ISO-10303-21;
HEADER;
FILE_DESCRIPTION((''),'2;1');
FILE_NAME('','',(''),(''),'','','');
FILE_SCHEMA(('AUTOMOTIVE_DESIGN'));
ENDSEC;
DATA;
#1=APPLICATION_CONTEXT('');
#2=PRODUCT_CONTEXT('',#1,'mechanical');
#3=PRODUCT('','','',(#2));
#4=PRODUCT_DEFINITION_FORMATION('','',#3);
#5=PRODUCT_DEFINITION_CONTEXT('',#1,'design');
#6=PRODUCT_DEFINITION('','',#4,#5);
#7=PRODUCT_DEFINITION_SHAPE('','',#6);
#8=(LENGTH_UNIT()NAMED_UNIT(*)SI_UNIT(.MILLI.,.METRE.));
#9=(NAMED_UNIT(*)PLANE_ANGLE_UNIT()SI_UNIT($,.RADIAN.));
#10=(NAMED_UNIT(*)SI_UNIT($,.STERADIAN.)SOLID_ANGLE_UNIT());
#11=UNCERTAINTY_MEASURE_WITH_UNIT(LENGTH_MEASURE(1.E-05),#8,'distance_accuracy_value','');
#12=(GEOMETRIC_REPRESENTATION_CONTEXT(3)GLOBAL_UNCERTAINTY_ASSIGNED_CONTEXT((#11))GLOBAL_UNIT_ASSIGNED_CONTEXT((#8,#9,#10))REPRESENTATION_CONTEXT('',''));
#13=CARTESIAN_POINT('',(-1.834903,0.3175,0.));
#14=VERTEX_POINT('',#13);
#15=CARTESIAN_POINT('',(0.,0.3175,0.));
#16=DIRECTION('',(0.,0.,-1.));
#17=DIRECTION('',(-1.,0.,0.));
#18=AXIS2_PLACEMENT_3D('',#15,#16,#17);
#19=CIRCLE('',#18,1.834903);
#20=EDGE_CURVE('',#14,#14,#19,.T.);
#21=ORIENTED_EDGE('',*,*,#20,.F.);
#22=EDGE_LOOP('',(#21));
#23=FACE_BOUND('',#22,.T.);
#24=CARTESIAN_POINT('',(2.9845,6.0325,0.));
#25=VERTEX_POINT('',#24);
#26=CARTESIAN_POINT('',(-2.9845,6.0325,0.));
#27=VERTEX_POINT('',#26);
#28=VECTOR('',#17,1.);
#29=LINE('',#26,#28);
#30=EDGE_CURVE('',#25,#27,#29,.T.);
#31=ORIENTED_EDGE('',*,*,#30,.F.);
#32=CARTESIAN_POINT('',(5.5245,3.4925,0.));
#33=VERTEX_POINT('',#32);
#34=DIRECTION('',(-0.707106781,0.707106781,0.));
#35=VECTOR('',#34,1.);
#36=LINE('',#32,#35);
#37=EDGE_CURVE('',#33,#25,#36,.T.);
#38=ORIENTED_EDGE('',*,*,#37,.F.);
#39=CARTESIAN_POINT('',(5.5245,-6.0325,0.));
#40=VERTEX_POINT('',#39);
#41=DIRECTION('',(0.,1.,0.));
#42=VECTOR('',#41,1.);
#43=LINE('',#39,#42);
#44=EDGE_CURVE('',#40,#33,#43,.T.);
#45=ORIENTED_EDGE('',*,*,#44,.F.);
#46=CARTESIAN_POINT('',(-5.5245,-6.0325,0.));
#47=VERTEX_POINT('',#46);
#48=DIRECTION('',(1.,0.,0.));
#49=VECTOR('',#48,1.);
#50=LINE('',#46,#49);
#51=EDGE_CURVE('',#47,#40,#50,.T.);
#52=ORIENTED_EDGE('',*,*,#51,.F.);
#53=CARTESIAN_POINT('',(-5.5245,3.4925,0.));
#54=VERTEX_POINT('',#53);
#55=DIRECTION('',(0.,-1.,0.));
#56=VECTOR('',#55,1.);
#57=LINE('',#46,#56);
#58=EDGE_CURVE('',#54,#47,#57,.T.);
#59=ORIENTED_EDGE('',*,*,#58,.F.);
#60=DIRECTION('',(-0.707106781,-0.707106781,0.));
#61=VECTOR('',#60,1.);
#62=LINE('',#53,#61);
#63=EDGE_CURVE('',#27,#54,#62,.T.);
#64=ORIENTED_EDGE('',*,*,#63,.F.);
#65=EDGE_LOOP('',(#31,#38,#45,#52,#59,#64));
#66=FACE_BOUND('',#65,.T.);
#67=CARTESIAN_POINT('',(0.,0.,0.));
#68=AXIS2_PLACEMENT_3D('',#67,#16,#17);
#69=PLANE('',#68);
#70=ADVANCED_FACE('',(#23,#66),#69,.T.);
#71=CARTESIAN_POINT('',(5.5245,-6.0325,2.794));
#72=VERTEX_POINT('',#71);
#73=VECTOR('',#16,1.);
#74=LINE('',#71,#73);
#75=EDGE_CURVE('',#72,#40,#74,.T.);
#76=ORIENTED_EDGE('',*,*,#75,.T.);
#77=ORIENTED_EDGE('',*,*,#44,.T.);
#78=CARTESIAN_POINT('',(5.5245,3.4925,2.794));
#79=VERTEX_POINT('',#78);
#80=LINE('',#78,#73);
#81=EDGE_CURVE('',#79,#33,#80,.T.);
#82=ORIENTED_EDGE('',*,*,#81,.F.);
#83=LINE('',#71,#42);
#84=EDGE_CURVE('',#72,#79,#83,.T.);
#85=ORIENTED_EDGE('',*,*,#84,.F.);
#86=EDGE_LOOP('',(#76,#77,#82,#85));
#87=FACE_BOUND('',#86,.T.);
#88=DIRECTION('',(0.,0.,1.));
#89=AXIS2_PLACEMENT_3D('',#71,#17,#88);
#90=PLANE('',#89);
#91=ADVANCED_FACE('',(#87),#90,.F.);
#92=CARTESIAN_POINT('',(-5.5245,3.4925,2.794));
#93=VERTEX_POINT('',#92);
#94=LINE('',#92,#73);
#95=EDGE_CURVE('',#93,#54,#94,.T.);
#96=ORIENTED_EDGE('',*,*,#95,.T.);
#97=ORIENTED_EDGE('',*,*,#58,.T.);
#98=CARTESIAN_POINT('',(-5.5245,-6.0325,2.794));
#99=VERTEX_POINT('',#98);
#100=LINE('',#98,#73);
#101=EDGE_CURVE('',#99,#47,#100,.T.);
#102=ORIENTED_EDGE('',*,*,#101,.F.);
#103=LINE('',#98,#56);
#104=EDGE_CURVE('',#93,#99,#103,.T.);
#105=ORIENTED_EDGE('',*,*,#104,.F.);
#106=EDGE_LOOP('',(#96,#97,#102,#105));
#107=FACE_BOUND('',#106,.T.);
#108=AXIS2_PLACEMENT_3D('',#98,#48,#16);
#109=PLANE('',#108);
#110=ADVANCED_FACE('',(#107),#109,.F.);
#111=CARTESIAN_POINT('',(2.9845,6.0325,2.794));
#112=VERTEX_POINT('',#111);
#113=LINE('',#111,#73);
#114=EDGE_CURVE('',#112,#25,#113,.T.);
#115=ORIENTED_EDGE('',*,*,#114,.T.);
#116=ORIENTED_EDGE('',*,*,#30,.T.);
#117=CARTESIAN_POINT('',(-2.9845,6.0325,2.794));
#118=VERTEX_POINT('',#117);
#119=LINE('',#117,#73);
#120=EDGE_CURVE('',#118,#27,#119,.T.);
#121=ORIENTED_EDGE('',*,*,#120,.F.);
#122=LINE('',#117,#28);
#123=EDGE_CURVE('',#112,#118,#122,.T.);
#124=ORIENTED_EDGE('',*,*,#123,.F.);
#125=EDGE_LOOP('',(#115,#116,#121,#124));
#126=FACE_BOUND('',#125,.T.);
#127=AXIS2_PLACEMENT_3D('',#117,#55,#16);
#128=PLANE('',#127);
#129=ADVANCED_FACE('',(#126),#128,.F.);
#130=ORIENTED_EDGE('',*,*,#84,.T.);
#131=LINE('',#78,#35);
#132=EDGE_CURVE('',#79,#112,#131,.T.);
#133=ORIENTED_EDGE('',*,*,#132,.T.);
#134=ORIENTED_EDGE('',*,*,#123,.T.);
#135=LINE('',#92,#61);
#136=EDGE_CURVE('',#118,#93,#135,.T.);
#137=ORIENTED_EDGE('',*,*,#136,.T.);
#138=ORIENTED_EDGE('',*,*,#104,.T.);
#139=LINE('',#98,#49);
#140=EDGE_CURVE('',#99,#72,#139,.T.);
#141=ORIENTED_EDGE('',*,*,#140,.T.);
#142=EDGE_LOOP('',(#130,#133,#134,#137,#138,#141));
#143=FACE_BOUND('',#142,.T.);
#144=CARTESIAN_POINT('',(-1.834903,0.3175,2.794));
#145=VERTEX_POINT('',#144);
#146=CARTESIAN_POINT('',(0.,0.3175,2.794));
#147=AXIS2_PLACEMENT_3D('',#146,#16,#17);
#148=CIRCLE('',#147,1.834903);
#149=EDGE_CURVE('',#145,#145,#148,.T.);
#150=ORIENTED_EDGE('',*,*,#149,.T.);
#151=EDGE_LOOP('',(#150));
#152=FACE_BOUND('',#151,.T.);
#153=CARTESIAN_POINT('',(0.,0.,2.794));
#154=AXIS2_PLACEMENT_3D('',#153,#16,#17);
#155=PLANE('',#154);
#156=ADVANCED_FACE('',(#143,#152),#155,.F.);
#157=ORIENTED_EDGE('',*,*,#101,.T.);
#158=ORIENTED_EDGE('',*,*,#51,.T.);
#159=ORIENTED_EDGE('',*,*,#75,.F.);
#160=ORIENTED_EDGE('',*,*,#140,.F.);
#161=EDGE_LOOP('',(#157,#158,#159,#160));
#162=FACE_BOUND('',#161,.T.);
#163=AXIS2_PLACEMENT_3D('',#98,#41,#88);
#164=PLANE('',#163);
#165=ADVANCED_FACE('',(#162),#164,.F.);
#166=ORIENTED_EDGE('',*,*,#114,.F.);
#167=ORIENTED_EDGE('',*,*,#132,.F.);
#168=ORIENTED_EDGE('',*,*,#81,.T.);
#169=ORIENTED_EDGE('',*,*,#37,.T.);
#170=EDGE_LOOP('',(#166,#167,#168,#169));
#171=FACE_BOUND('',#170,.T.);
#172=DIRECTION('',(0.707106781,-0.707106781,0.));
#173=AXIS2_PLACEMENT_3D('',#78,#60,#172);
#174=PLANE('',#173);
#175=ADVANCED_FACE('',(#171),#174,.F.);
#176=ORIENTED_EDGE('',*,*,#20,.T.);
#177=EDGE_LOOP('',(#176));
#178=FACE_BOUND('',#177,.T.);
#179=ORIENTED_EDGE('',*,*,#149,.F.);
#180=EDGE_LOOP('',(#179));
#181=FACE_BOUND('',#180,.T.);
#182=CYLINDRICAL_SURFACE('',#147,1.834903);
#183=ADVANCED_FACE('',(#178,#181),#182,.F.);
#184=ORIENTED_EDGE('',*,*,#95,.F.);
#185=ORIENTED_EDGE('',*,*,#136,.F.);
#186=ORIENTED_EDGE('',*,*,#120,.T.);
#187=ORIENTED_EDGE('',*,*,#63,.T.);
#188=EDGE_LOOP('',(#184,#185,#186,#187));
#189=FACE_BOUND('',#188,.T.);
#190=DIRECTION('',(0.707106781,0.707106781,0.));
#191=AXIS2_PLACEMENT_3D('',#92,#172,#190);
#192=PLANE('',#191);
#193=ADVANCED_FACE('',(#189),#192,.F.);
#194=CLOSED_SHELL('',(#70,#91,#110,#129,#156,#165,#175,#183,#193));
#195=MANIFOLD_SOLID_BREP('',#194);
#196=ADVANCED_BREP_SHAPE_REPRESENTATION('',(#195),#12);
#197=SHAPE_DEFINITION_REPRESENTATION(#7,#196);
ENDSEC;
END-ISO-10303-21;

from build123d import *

# Parameters (mm, degrees)
BOSS_EXTRUDE1_DEPTH = 2.794
SKETCH2_R           = 1.834902778
CUT_EXTRUDE1_DEPTH  = 2.794


with BuildPart() as part:
    # Sketch1 → Boss-Extrude1 (new body)
    with BuildSketch(Plane.XY):
        Polygon((-5.5245, 3.4925), (-2.9845, 6.0325), (2.9845, 6.0325), (5.5245, 3.4925), (5.5245, -6.0325), (-5.5245, -6.0325), align=None)
    extrude(amount=BOSS_EXTRUDE1_DEPTH)

    # Sketch2 → Cut-Extrude1 (cut)
    with BuildSketch(Plane(origin=(0, 0, 0), x_dir=(-1, 0, 0), z_dir=(0, 0, -1))):
        with Locations((0, 0.3175)):
            Circle(SKETCH2_R)
    extrude(amount=-CUT_EXTRUDE1_DEPTH, mode=Mode.SUBTRACT)


solid = part.part
